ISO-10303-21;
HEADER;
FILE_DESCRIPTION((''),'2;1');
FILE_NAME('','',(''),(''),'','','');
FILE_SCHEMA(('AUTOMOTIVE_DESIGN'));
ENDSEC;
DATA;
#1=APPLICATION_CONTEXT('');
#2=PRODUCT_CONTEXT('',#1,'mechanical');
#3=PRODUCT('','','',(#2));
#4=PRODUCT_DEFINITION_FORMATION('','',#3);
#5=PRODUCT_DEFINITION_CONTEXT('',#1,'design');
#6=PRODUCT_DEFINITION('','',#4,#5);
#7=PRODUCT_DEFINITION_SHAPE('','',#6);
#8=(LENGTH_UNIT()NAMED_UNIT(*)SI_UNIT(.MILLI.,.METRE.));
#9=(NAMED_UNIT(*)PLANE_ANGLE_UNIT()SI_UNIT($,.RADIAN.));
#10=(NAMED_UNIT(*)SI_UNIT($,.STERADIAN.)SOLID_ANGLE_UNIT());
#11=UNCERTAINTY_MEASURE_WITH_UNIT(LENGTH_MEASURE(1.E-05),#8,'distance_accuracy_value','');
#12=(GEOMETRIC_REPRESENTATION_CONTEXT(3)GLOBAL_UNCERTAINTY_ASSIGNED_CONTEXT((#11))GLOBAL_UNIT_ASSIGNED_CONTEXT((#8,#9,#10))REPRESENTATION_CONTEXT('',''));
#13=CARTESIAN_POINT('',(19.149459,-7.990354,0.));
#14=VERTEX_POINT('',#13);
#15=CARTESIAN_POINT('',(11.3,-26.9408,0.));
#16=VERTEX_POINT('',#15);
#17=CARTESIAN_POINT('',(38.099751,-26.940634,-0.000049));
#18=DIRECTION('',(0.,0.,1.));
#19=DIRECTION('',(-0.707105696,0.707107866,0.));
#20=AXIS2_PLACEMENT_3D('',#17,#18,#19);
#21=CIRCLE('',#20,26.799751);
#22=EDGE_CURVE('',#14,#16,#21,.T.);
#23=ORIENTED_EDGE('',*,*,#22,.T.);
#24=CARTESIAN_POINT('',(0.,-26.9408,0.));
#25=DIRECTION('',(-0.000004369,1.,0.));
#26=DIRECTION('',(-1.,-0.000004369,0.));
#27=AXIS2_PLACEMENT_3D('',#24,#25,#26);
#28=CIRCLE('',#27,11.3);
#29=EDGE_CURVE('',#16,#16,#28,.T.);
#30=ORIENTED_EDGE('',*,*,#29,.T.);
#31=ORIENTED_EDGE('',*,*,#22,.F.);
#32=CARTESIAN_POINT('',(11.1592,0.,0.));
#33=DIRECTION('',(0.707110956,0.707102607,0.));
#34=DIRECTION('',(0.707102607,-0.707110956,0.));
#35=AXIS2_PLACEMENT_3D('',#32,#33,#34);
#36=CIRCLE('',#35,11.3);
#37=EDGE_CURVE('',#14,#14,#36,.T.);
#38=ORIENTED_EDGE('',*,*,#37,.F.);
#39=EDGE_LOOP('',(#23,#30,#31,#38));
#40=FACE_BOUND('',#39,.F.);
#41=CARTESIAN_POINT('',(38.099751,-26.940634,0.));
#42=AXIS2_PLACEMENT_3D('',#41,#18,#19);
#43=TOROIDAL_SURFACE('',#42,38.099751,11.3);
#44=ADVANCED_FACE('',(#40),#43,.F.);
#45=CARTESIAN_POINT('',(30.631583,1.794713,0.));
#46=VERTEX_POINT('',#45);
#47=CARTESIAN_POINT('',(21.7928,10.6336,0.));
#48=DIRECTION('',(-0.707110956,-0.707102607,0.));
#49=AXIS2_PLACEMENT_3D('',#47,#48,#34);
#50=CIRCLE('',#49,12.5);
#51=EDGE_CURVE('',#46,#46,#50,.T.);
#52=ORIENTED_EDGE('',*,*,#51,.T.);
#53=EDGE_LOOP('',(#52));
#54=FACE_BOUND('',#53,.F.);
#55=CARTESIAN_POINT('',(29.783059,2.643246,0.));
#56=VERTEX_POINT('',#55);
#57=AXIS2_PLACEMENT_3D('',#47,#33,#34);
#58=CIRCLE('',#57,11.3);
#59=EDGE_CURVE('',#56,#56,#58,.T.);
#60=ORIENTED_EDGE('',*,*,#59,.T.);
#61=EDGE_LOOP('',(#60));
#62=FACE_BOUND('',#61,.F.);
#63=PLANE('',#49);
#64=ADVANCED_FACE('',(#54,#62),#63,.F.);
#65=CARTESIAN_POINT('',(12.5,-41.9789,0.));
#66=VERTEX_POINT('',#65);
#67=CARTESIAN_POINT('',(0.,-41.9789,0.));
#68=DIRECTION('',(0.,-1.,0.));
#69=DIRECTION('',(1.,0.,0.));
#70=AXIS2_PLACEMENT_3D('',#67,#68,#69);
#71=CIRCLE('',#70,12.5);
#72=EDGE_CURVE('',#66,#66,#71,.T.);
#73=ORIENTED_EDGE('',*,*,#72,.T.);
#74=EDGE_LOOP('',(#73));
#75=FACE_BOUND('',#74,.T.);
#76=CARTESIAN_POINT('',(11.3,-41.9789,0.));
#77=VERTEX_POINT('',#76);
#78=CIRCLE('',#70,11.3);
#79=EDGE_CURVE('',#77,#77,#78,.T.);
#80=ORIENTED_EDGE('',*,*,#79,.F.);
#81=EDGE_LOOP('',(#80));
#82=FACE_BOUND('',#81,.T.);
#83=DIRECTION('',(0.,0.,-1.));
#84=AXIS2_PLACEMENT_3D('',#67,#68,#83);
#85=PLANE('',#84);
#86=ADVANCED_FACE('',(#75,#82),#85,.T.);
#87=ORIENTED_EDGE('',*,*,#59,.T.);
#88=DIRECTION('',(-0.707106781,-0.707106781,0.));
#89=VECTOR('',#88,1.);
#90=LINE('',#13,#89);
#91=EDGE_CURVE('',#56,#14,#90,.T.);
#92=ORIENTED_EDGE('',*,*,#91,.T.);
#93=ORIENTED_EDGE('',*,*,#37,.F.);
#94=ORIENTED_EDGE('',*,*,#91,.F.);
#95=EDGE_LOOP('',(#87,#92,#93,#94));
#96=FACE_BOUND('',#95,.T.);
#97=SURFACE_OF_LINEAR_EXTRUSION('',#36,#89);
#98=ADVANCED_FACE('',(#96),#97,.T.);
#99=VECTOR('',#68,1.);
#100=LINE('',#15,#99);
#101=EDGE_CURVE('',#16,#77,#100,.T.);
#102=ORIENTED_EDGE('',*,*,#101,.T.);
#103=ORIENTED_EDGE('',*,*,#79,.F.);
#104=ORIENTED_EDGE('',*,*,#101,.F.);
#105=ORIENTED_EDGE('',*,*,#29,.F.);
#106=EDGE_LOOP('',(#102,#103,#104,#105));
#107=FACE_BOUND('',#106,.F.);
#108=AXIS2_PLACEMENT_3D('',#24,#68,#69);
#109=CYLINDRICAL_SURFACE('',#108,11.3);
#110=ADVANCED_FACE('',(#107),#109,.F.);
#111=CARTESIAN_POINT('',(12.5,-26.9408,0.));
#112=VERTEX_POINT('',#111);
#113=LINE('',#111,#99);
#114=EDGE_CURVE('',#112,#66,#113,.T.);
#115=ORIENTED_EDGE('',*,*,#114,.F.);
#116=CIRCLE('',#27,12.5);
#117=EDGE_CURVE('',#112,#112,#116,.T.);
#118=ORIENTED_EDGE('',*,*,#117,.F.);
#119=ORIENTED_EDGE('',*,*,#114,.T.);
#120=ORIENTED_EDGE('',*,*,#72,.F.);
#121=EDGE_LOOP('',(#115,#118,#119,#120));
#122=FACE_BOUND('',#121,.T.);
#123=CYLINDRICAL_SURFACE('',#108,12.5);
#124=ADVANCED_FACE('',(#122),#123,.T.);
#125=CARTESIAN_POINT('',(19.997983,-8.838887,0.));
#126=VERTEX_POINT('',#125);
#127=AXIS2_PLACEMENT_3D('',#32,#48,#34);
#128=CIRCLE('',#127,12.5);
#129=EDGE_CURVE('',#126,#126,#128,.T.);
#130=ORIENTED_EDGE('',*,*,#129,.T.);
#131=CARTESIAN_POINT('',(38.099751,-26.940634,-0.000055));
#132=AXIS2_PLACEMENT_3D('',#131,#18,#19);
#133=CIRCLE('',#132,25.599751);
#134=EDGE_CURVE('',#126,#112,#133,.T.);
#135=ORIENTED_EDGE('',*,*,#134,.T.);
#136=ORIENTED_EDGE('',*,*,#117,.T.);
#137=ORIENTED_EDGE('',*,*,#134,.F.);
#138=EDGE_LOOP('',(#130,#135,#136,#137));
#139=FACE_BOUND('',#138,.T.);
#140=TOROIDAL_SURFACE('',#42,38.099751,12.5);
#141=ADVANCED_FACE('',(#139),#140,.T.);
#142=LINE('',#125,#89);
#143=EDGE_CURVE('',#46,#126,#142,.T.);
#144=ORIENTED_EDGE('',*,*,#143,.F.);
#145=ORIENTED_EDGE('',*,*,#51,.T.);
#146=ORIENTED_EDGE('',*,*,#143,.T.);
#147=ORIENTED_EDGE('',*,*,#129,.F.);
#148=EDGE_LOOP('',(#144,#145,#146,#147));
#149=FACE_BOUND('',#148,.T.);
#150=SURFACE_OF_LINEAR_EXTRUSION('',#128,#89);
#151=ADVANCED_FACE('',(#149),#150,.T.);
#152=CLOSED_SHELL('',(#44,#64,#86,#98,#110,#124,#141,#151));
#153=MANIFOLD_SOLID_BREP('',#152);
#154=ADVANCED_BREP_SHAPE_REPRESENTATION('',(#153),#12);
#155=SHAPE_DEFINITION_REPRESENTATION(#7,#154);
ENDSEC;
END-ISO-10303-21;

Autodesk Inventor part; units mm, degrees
ref_plane "YZ Plane" through (0, 0, 0) normal (1, 0, 0) x (0, 1, 0)
ref_plane "XZ Plane" through (0, 0, 0) normal (0, 1, 0) x (-1, 0, 0)
sketch "Szkic6" plane through (0, 0, 0) normal (0, 0, 1) x (1, 0, 0)
  line L0 (-29.6067, 0) -> (35.2678, 0) construction
  line L1 (0, 42.3419) -> (0, -58.3726) construction
  arc A0 (11.1592, 0) -> (0, -26.9408) centre (38.1, -26.9408) ccw
  line L2 (0, -26.9408) -> (38.1, -26.9408) construction
  line L3 (38.1, -26.9408) -> (-8.2389, 19.3981) construction
  line L4 (11.1592, 0) -> (21.7928, 10.6336)
  line L5 (0, -26.9408) -> (0, -41.9789)
  point P0 (0, 0)
  dimension "d24" = 38.1
  dimension "d31" = 45
  dimension "d36" = 15.0382
  dimension "d37" = 15.0382
ref_plane "Płaszczyzna konstrukcyjna2" through (0, -26.9408, 0) normal (0, -1, 0) x (1, 0, 0)
sketch "Szkic8" plane through (0, -26.9408, 0) normal (0, -1, 0) x (1, 0, 0)
  circle A0 centre (0, 0) radius 12.5
  circle A1 centre (0, 0) radius 11.3
  dimension "d32" = 25
  dimension "d33" = 1.2
sweep "Przeciągnięcie2" add profiles "Szkic8" path "Szkic6"
equation "\"d32\" = OD"
equation "\"d33\" = THK"
equation "\"d24\" = R"
equation "\"d31\" = KAT"
equation "\"d36\" = PROSTKA"
equation "\"d37\" = PROSTKA"
equation "\"SzerokośćGięciaPodcięcia\" = Grubość"
equation "\"RozmiarPodcięciaNarożnika\" = 4 * Grubość"
equation "\"PromieńPrzejścia\" = PromieńGięcia"
equation "\"Rozmiar_promienia_Jacobiego\" = PromieńGięcia"
equation "\"Wielk_odstępu\" = Grubość"
equation "\"d2\" = PromieńGięcia"
equation "\"d23\" = PromieńGięcia"
equation "\"R\" = 38.1"
equation "\"OD\" = 25"
equation "\"THK\" = 1.2"
equation "\"KAT\" = 45deg"
equation "\"PROSTKA\" = 15.03817"
equation "\"Grubość\" = 1.5"
equation "\"PromieńGięcia\" = 3"
properties part number "Kolano 45° ø25x1,2 R38,1" material "304L"
